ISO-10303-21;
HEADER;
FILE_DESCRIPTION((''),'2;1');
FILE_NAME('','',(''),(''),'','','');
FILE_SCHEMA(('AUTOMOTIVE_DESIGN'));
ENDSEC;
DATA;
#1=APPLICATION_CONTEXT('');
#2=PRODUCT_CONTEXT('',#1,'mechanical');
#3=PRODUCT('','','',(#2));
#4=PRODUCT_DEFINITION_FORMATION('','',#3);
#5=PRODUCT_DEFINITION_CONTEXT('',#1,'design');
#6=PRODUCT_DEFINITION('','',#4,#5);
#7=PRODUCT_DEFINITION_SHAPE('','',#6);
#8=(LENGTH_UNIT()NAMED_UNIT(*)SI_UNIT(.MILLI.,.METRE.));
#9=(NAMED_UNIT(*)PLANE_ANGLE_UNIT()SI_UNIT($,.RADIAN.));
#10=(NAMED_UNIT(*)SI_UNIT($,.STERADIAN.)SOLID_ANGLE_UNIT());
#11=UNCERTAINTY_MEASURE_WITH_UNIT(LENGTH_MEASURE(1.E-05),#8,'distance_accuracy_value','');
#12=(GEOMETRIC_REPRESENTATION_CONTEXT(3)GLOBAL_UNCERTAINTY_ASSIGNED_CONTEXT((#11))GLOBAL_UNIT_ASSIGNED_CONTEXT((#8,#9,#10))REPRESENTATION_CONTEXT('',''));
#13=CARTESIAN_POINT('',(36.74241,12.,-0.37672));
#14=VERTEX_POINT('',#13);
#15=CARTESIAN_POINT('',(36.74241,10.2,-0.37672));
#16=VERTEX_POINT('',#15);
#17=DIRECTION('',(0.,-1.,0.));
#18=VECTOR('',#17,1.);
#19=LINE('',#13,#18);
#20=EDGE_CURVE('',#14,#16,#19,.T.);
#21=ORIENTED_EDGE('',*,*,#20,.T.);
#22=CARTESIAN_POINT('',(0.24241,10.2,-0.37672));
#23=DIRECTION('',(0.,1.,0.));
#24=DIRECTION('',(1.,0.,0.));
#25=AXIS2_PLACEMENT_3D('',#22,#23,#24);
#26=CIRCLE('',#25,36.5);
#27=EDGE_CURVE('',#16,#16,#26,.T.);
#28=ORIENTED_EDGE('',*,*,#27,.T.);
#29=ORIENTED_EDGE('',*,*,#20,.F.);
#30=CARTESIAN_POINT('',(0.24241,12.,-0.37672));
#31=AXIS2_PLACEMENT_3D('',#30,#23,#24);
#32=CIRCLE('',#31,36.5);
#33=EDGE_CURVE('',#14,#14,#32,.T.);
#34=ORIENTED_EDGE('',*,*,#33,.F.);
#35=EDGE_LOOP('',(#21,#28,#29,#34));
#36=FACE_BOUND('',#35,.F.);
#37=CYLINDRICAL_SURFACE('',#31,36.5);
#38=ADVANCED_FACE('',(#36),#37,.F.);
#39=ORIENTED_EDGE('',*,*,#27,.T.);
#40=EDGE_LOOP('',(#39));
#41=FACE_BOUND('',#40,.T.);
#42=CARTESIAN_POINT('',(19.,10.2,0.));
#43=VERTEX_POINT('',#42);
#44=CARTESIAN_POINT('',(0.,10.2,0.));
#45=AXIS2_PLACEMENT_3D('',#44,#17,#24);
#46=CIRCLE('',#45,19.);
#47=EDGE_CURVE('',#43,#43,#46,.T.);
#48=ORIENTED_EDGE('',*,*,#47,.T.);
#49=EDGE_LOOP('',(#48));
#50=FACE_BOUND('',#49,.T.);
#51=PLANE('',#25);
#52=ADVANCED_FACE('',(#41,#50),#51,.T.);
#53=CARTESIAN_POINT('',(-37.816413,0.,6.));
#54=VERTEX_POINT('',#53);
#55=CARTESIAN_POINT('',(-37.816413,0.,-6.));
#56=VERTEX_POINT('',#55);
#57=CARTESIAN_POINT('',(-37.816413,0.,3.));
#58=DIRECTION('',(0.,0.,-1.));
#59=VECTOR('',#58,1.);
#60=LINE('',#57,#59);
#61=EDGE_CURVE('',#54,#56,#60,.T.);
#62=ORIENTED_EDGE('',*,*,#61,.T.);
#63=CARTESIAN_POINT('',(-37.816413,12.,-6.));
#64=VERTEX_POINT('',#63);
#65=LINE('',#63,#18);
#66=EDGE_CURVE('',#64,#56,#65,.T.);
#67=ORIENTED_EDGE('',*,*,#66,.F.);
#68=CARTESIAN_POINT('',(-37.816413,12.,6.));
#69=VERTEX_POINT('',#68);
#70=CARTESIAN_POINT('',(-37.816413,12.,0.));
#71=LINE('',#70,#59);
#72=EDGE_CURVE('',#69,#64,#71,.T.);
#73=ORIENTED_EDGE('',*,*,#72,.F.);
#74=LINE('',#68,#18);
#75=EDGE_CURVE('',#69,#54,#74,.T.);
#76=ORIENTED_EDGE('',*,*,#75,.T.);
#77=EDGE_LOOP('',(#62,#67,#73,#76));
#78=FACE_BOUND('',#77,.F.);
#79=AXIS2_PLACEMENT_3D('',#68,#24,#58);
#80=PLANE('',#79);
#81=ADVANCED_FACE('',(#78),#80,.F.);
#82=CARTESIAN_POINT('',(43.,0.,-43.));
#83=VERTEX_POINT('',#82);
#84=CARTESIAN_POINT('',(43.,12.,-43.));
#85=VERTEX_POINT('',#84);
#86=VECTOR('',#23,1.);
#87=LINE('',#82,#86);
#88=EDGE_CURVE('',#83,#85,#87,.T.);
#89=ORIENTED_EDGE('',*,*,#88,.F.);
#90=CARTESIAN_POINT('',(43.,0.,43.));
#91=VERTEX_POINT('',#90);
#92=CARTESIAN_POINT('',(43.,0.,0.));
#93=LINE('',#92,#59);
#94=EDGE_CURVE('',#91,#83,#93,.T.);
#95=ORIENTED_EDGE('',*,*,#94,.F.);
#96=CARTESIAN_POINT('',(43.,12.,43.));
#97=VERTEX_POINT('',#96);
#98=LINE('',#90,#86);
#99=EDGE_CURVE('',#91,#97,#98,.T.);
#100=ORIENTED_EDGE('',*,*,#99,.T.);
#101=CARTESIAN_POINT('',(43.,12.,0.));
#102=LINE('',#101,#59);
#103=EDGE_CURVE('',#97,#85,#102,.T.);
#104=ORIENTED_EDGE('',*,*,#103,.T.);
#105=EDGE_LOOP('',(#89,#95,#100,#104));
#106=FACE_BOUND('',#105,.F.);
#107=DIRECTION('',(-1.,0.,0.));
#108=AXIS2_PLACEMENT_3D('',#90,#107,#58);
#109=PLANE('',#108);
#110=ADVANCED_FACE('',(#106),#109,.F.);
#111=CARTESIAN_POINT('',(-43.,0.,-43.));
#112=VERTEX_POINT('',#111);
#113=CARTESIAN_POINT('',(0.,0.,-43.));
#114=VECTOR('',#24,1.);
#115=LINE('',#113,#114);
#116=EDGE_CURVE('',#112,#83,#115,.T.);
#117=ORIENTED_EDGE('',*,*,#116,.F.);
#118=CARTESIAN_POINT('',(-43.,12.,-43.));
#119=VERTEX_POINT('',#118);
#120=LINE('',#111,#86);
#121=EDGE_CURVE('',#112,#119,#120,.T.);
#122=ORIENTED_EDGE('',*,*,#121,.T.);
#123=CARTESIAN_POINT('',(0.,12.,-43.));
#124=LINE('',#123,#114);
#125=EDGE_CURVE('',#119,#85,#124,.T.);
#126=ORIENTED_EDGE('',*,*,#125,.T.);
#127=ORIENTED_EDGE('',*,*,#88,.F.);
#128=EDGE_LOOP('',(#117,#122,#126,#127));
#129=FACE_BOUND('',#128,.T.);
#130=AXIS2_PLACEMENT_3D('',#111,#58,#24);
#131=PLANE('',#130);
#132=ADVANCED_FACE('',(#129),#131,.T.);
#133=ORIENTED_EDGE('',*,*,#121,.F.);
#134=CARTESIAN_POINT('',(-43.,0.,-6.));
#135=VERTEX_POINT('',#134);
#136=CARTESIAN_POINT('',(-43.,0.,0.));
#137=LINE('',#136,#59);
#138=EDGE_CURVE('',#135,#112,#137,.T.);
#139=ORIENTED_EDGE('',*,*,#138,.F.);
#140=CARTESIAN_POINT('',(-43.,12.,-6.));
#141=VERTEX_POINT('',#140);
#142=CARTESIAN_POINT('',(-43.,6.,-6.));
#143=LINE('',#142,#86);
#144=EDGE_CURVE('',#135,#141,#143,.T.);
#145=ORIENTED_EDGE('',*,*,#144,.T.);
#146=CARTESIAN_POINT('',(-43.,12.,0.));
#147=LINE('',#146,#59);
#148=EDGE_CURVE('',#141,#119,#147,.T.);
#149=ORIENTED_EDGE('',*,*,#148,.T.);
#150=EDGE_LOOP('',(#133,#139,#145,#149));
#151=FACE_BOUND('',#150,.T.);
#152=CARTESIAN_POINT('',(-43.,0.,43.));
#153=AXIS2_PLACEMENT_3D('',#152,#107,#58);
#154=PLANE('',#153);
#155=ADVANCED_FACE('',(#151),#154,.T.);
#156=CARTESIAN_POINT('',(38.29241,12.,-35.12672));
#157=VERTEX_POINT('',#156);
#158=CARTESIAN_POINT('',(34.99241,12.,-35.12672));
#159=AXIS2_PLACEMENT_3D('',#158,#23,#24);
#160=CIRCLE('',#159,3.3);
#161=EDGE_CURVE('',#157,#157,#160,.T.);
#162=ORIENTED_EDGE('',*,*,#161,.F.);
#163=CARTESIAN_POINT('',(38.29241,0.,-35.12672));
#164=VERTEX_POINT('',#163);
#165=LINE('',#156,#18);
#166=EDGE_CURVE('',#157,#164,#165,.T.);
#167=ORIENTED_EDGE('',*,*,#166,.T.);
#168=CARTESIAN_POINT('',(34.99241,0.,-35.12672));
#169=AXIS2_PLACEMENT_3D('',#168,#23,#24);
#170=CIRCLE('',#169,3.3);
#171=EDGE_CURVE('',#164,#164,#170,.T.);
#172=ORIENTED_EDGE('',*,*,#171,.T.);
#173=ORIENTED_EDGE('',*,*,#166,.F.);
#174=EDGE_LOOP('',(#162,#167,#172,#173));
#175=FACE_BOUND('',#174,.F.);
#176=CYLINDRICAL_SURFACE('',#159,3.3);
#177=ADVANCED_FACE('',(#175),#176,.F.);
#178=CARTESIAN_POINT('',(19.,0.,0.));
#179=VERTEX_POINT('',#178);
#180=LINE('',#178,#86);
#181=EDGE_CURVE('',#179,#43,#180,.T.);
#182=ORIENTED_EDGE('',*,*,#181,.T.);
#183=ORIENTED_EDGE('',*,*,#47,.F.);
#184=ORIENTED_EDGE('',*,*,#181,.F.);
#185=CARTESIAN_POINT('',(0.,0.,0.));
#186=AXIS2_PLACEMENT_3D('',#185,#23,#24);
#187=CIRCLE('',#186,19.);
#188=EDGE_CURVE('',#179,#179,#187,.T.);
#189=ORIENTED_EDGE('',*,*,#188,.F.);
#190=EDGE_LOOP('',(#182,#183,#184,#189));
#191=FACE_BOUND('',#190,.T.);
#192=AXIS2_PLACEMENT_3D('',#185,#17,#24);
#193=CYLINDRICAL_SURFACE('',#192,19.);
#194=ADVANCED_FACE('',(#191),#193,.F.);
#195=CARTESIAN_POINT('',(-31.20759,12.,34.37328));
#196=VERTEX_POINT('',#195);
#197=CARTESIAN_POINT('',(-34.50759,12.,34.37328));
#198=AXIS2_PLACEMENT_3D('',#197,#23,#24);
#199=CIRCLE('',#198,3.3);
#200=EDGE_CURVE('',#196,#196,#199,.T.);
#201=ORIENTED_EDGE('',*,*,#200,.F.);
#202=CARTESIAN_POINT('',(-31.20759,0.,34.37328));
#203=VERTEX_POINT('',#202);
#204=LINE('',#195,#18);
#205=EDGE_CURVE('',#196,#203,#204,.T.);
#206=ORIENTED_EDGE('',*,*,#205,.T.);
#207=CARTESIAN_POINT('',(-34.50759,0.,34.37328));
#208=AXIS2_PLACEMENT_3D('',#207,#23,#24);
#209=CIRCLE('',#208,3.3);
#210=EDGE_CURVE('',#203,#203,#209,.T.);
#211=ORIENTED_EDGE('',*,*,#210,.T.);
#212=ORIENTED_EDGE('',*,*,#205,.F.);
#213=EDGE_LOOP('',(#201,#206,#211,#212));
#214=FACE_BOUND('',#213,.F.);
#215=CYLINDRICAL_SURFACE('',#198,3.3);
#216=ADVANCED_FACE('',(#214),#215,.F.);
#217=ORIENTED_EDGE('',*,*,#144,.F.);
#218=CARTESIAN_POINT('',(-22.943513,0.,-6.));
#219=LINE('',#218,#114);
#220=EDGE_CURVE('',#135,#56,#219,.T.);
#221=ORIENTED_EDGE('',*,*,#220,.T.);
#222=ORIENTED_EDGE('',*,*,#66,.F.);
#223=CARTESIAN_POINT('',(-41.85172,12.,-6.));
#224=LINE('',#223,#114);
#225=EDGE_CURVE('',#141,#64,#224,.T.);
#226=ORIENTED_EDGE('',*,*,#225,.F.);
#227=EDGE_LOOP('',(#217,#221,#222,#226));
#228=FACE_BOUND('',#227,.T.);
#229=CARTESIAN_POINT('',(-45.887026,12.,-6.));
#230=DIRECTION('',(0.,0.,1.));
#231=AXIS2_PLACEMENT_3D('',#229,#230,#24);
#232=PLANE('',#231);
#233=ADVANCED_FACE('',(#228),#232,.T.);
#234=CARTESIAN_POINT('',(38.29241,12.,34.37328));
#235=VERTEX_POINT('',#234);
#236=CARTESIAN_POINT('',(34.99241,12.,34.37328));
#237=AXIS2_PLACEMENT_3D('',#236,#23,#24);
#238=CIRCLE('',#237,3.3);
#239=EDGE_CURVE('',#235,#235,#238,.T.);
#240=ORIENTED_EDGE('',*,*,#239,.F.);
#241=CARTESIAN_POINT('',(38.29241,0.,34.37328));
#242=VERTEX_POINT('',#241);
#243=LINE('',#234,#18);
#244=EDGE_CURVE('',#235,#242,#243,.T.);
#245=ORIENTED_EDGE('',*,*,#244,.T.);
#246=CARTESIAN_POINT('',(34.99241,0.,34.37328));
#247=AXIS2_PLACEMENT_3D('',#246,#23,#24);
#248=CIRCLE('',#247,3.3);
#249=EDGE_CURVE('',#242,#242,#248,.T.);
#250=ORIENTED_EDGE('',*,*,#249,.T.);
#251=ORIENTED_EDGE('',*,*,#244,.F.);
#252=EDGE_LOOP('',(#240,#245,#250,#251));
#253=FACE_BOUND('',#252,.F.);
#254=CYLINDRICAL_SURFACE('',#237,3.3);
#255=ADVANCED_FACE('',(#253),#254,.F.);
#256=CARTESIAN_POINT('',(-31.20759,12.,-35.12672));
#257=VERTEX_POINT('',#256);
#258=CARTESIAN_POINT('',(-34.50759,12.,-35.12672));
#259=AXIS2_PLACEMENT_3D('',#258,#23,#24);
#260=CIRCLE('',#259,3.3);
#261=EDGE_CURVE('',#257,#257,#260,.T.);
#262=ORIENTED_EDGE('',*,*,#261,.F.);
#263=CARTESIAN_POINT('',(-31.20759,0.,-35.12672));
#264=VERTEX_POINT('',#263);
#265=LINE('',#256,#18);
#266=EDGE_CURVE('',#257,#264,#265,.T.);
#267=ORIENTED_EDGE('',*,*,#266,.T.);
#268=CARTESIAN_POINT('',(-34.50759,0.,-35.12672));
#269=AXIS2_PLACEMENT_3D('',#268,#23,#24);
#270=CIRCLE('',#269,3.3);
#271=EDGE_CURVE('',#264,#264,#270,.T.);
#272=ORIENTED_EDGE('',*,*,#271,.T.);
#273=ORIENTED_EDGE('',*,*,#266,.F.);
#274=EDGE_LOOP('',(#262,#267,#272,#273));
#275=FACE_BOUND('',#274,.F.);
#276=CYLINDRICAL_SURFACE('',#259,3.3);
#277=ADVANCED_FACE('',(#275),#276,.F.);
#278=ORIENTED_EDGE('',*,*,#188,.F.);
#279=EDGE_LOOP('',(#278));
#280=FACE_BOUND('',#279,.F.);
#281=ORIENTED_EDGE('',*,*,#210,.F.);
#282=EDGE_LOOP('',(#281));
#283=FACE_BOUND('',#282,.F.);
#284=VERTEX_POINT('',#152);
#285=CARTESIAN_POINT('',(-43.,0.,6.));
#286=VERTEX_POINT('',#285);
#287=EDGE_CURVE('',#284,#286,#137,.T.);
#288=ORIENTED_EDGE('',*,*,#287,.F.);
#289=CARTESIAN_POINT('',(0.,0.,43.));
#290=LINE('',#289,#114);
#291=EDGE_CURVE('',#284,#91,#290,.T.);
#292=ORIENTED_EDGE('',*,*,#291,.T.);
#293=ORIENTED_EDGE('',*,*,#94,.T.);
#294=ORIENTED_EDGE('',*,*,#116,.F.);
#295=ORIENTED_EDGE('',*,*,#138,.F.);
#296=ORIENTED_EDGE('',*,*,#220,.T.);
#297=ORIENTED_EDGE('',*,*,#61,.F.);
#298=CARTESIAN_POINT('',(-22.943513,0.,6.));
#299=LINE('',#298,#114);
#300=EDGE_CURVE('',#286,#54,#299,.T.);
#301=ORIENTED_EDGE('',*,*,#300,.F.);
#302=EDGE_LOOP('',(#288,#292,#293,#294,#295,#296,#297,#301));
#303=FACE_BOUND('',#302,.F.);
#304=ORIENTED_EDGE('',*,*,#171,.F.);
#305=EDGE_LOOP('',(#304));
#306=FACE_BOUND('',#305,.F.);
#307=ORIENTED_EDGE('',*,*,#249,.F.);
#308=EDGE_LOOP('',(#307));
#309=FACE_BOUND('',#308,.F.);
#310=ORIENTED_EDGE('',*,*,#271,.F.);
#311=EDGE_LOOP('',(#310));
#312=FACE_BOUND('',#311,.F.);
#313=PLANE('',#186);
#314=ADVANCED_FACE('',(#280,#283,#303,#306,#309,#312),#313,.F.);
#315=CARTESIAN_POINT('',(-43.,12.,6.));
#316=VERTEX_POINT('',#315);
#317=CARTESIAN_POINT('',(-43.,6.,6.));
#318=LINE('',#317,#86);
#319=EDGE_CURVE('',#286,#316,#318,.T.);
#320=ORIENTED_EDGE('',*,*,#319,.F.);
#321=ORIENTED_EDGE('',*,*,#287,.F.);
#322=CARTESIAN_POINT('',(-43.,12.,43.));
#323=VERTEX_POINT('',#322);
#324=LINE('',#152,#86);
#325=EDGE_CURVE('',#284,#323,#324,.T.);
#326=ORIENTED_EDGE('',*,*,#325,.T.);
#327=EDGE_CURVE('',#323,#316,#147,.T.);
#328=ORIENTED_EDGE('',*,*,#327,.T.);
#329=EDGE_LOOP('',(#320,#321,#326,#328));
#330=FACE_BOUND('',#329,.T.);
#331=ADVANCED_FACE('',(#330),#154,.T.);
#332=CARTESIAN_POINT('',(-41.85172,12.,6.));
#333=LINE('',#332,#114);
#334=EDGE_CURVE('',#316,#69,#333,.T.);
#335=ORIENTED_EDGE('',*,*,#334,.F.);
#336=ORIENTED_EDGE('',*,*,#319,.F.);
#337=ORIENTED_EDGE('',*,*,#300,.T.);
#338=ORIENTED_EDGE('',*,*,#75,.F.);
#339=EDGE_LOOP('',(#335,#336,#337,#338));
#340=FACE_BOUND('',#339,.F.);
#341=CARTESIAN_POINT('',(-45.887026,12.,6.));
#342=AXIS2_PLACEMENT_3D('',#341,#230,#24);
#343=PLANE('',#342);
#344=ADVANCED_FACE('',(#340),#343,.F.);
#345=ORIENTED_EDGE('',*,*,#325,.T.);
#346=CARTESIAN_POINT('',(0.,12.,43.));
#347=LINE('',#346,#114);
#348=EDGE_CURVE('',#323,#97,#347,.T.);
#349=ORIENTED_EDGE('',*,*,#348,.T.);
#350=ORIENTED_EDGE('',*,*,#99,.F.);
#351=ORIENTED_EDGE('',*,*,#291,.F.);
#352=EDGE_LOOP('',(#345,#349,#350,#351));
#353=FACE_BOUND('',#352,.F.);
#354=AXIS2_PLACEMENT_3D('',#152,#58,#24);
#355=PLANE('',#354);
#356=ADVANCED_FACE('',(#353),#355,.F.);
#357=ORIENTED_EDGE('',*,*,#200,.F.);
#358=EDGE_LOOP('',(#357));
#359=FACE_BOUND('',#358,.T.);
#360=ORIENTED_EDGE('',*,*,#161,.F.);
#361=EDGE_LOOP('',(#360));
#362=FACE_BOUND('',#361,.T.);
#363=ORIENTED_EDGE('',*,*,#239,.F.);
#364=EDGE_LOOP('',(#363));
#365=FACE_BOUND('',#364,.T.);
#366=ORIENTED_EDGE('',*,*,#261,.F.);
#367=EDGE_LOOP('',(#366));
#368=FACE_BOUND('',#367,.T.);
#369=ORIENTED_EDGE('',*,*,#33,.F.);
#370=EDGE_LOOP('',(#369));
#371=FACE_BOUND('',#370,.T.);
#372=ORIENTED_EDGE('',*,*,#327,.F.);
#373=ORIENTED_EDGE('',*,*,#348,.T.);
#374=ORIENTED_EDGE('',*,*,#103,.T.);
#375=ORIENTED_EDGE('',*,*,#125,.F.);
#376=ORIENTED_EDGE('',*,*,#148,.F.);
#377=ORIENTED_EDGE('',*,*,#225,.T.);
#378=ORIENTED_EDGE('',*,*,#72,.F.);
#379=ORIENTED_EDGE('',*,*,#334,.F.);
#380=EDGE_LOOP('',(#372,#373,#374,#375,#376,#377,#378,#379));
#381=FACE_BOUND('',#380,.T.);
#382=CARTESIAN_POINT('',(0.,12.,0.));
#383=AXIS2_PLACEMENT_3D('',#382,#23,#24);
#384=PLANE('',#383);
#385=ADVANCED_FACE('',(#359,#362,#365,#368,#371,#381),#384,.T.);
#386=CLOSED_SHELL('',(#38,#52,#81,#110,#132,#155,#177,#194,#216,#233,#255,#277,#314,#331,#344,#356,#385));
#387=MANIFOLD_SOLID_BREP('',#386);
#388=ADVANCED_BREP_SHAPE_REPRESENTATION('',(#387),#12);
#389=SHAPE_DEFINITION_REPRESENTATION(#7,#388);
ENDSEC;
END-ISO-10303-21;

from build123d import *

# Parameters (mm, degrees)
SKETCH1_W           = 86
SKETCH1_H           = 86
SKETCH1_R           = 19
BOSS_EXTRUDE1_DEPTH = 12
CUT_EXTRUDE1_REACH  = 14
SKETCH2_R           = 3.3
SKETCH4_R           = 36.5
CUT_EXTRUDE2_DEPTH  = 1.8
SKETCH6_W           = 8.07061303
SKETCH6_H           = 12
CUT_EXTRUDE3_DEPTH  = 13


with BuildPart() as part:
    # Sketch1 → Boss-Extrude1 (new body)
    with BuildSketch(Plane(origin=(0, 0, 0), x_dir=(1, 0, 0), z_dir=(0, 1, 0))):
        Rectangle(SKETCH1_W, SKETCH1_H)
        Circle(SKETCH1_R, mode=Mode.SUBTRACT)
    extrude(amount=BOSS_EXTRUDE1_DEPTH)

    # Sketch2 → Cut-Extrude1 (cut, up to next)
    with BuildSketch(Plane(origin=(0, 12, 0), x_dir=(1, 0, 0), z_dir=(0, 1, 0)), mode=Mode.PRIVATE) as cut_extrude1_sk1:
        with Locations((-34.507589913, -34.373280458)):
            Circle(SKETCH2_R)
    cut_extrude1_tool1 = extrude(cut_extrude1_sk1.sketch, amount=-CUT_EXTRUDE1_REACH, mode=Mode.PRIVATE) & part.part
    add(cut_extrude1_tool1.solids().sort_by_distance((-34.50759, 12, 34.37328))[0], mode=Mode.SUBTRACT)
    # Sketch2 → Cut-Extrude1 (cut, up to next)
    with BuildSketch(Plane(origin=(0, 12, 0), x_dir=(1, 0, 0), z_dir=(0, 1, 0)), mode=Mode.PRIVATE) as cut_extrude1_sk2:
        with Locations((-34.507589913, 35.126719542)):
            Circle(SKETCH2_R)
    cut_extrude1_tool2 = extrude(cut_extrude1_sk2.sketch, amount=-CUT_EXTRUDE1_REACH, mode=Mode.PRIVATE) & part.part
    add(cut_extrude1_tool2.solids().sort_by_distance((-34.50759, 12, -35.12672))[0], mode=Mode.SUBTRACT)
    # Sketch2 → Cut-Extrude1 (cut, up to next)
    with BuildSketch(Plane(origin=(0, 12, 0), x_dir=(1, 0, 0), z_dir=(0, 1, 0)), mode=Mode.PRIVATE) as cut_extrude1_sk3:
        with Locations((34.992410087, -34.373280458)):
            Circle(SKETCH2_R)
    cut_extrude1_tool3 = extrude(cut_extrude1_sk3.sketch, amount=-CUT_EXTRUDE1_REACH, mode=Mode.PRIVATE) & part.part
    add(cut_extrude1_tool3.solids().sort_by_distance((34.99241, 12, 34.37328))[0], mode=Mode.SUBTRACT)
    # Sketch2 → Cut-Extrude1 (cut, up to next)
    with BuildSketch(Plane(origin=(0, 12, 0), x_dir=(1, 0, 0), z_dir=(0, 1, 0)), mode=Mode.PRIVATE) as cut_extrude1_sk4:
        with Locations((34.992410087, 35.126719542)):
            Circle(SKETCH2_R)
    cut_extrude1_tool4 = extrude(cut_extrude1_sk4.sketch, amount=-CUT_EXTRUDE1_REACH, mode=Mode.PRIVATE) & part.part
    add(cut_extrude1_tool4.solids().sort_by_distance((34.99241, 12, -35.12672))[0], mode=Mode.SUBTRACT)

    # Sketch4 → Cut-Extrude2 (cut)
    with BuildSketch(Plane(origin=(0, 12, 0), x_dir=(1, 0, 0), z_dir=(0, 1, 0))):
        with Locations((0.242410087, 0.376719542)):
            Circle(SKETCH4_R)
    extrude(amount=-CUT_EXTRUDE2_DEPTH, mode=Mode.SUBTRACT)

    # Sketch6 → Cut-Extrude3 (cut, through all)
    with BuildSketch(Plane(origin=(0, 12, 0), x_dir=(1, 0, 0), z_dir=(0, 1, 0))):
        with Locations((-41.851719536, 0)):
            Rectangle(SKETCH6_W, SKETCH6_H)
    extrude(amount=-CUT_EXTRUDE3_DEPTH, mode=Mode.SUBTRACT)


solid = part.part
